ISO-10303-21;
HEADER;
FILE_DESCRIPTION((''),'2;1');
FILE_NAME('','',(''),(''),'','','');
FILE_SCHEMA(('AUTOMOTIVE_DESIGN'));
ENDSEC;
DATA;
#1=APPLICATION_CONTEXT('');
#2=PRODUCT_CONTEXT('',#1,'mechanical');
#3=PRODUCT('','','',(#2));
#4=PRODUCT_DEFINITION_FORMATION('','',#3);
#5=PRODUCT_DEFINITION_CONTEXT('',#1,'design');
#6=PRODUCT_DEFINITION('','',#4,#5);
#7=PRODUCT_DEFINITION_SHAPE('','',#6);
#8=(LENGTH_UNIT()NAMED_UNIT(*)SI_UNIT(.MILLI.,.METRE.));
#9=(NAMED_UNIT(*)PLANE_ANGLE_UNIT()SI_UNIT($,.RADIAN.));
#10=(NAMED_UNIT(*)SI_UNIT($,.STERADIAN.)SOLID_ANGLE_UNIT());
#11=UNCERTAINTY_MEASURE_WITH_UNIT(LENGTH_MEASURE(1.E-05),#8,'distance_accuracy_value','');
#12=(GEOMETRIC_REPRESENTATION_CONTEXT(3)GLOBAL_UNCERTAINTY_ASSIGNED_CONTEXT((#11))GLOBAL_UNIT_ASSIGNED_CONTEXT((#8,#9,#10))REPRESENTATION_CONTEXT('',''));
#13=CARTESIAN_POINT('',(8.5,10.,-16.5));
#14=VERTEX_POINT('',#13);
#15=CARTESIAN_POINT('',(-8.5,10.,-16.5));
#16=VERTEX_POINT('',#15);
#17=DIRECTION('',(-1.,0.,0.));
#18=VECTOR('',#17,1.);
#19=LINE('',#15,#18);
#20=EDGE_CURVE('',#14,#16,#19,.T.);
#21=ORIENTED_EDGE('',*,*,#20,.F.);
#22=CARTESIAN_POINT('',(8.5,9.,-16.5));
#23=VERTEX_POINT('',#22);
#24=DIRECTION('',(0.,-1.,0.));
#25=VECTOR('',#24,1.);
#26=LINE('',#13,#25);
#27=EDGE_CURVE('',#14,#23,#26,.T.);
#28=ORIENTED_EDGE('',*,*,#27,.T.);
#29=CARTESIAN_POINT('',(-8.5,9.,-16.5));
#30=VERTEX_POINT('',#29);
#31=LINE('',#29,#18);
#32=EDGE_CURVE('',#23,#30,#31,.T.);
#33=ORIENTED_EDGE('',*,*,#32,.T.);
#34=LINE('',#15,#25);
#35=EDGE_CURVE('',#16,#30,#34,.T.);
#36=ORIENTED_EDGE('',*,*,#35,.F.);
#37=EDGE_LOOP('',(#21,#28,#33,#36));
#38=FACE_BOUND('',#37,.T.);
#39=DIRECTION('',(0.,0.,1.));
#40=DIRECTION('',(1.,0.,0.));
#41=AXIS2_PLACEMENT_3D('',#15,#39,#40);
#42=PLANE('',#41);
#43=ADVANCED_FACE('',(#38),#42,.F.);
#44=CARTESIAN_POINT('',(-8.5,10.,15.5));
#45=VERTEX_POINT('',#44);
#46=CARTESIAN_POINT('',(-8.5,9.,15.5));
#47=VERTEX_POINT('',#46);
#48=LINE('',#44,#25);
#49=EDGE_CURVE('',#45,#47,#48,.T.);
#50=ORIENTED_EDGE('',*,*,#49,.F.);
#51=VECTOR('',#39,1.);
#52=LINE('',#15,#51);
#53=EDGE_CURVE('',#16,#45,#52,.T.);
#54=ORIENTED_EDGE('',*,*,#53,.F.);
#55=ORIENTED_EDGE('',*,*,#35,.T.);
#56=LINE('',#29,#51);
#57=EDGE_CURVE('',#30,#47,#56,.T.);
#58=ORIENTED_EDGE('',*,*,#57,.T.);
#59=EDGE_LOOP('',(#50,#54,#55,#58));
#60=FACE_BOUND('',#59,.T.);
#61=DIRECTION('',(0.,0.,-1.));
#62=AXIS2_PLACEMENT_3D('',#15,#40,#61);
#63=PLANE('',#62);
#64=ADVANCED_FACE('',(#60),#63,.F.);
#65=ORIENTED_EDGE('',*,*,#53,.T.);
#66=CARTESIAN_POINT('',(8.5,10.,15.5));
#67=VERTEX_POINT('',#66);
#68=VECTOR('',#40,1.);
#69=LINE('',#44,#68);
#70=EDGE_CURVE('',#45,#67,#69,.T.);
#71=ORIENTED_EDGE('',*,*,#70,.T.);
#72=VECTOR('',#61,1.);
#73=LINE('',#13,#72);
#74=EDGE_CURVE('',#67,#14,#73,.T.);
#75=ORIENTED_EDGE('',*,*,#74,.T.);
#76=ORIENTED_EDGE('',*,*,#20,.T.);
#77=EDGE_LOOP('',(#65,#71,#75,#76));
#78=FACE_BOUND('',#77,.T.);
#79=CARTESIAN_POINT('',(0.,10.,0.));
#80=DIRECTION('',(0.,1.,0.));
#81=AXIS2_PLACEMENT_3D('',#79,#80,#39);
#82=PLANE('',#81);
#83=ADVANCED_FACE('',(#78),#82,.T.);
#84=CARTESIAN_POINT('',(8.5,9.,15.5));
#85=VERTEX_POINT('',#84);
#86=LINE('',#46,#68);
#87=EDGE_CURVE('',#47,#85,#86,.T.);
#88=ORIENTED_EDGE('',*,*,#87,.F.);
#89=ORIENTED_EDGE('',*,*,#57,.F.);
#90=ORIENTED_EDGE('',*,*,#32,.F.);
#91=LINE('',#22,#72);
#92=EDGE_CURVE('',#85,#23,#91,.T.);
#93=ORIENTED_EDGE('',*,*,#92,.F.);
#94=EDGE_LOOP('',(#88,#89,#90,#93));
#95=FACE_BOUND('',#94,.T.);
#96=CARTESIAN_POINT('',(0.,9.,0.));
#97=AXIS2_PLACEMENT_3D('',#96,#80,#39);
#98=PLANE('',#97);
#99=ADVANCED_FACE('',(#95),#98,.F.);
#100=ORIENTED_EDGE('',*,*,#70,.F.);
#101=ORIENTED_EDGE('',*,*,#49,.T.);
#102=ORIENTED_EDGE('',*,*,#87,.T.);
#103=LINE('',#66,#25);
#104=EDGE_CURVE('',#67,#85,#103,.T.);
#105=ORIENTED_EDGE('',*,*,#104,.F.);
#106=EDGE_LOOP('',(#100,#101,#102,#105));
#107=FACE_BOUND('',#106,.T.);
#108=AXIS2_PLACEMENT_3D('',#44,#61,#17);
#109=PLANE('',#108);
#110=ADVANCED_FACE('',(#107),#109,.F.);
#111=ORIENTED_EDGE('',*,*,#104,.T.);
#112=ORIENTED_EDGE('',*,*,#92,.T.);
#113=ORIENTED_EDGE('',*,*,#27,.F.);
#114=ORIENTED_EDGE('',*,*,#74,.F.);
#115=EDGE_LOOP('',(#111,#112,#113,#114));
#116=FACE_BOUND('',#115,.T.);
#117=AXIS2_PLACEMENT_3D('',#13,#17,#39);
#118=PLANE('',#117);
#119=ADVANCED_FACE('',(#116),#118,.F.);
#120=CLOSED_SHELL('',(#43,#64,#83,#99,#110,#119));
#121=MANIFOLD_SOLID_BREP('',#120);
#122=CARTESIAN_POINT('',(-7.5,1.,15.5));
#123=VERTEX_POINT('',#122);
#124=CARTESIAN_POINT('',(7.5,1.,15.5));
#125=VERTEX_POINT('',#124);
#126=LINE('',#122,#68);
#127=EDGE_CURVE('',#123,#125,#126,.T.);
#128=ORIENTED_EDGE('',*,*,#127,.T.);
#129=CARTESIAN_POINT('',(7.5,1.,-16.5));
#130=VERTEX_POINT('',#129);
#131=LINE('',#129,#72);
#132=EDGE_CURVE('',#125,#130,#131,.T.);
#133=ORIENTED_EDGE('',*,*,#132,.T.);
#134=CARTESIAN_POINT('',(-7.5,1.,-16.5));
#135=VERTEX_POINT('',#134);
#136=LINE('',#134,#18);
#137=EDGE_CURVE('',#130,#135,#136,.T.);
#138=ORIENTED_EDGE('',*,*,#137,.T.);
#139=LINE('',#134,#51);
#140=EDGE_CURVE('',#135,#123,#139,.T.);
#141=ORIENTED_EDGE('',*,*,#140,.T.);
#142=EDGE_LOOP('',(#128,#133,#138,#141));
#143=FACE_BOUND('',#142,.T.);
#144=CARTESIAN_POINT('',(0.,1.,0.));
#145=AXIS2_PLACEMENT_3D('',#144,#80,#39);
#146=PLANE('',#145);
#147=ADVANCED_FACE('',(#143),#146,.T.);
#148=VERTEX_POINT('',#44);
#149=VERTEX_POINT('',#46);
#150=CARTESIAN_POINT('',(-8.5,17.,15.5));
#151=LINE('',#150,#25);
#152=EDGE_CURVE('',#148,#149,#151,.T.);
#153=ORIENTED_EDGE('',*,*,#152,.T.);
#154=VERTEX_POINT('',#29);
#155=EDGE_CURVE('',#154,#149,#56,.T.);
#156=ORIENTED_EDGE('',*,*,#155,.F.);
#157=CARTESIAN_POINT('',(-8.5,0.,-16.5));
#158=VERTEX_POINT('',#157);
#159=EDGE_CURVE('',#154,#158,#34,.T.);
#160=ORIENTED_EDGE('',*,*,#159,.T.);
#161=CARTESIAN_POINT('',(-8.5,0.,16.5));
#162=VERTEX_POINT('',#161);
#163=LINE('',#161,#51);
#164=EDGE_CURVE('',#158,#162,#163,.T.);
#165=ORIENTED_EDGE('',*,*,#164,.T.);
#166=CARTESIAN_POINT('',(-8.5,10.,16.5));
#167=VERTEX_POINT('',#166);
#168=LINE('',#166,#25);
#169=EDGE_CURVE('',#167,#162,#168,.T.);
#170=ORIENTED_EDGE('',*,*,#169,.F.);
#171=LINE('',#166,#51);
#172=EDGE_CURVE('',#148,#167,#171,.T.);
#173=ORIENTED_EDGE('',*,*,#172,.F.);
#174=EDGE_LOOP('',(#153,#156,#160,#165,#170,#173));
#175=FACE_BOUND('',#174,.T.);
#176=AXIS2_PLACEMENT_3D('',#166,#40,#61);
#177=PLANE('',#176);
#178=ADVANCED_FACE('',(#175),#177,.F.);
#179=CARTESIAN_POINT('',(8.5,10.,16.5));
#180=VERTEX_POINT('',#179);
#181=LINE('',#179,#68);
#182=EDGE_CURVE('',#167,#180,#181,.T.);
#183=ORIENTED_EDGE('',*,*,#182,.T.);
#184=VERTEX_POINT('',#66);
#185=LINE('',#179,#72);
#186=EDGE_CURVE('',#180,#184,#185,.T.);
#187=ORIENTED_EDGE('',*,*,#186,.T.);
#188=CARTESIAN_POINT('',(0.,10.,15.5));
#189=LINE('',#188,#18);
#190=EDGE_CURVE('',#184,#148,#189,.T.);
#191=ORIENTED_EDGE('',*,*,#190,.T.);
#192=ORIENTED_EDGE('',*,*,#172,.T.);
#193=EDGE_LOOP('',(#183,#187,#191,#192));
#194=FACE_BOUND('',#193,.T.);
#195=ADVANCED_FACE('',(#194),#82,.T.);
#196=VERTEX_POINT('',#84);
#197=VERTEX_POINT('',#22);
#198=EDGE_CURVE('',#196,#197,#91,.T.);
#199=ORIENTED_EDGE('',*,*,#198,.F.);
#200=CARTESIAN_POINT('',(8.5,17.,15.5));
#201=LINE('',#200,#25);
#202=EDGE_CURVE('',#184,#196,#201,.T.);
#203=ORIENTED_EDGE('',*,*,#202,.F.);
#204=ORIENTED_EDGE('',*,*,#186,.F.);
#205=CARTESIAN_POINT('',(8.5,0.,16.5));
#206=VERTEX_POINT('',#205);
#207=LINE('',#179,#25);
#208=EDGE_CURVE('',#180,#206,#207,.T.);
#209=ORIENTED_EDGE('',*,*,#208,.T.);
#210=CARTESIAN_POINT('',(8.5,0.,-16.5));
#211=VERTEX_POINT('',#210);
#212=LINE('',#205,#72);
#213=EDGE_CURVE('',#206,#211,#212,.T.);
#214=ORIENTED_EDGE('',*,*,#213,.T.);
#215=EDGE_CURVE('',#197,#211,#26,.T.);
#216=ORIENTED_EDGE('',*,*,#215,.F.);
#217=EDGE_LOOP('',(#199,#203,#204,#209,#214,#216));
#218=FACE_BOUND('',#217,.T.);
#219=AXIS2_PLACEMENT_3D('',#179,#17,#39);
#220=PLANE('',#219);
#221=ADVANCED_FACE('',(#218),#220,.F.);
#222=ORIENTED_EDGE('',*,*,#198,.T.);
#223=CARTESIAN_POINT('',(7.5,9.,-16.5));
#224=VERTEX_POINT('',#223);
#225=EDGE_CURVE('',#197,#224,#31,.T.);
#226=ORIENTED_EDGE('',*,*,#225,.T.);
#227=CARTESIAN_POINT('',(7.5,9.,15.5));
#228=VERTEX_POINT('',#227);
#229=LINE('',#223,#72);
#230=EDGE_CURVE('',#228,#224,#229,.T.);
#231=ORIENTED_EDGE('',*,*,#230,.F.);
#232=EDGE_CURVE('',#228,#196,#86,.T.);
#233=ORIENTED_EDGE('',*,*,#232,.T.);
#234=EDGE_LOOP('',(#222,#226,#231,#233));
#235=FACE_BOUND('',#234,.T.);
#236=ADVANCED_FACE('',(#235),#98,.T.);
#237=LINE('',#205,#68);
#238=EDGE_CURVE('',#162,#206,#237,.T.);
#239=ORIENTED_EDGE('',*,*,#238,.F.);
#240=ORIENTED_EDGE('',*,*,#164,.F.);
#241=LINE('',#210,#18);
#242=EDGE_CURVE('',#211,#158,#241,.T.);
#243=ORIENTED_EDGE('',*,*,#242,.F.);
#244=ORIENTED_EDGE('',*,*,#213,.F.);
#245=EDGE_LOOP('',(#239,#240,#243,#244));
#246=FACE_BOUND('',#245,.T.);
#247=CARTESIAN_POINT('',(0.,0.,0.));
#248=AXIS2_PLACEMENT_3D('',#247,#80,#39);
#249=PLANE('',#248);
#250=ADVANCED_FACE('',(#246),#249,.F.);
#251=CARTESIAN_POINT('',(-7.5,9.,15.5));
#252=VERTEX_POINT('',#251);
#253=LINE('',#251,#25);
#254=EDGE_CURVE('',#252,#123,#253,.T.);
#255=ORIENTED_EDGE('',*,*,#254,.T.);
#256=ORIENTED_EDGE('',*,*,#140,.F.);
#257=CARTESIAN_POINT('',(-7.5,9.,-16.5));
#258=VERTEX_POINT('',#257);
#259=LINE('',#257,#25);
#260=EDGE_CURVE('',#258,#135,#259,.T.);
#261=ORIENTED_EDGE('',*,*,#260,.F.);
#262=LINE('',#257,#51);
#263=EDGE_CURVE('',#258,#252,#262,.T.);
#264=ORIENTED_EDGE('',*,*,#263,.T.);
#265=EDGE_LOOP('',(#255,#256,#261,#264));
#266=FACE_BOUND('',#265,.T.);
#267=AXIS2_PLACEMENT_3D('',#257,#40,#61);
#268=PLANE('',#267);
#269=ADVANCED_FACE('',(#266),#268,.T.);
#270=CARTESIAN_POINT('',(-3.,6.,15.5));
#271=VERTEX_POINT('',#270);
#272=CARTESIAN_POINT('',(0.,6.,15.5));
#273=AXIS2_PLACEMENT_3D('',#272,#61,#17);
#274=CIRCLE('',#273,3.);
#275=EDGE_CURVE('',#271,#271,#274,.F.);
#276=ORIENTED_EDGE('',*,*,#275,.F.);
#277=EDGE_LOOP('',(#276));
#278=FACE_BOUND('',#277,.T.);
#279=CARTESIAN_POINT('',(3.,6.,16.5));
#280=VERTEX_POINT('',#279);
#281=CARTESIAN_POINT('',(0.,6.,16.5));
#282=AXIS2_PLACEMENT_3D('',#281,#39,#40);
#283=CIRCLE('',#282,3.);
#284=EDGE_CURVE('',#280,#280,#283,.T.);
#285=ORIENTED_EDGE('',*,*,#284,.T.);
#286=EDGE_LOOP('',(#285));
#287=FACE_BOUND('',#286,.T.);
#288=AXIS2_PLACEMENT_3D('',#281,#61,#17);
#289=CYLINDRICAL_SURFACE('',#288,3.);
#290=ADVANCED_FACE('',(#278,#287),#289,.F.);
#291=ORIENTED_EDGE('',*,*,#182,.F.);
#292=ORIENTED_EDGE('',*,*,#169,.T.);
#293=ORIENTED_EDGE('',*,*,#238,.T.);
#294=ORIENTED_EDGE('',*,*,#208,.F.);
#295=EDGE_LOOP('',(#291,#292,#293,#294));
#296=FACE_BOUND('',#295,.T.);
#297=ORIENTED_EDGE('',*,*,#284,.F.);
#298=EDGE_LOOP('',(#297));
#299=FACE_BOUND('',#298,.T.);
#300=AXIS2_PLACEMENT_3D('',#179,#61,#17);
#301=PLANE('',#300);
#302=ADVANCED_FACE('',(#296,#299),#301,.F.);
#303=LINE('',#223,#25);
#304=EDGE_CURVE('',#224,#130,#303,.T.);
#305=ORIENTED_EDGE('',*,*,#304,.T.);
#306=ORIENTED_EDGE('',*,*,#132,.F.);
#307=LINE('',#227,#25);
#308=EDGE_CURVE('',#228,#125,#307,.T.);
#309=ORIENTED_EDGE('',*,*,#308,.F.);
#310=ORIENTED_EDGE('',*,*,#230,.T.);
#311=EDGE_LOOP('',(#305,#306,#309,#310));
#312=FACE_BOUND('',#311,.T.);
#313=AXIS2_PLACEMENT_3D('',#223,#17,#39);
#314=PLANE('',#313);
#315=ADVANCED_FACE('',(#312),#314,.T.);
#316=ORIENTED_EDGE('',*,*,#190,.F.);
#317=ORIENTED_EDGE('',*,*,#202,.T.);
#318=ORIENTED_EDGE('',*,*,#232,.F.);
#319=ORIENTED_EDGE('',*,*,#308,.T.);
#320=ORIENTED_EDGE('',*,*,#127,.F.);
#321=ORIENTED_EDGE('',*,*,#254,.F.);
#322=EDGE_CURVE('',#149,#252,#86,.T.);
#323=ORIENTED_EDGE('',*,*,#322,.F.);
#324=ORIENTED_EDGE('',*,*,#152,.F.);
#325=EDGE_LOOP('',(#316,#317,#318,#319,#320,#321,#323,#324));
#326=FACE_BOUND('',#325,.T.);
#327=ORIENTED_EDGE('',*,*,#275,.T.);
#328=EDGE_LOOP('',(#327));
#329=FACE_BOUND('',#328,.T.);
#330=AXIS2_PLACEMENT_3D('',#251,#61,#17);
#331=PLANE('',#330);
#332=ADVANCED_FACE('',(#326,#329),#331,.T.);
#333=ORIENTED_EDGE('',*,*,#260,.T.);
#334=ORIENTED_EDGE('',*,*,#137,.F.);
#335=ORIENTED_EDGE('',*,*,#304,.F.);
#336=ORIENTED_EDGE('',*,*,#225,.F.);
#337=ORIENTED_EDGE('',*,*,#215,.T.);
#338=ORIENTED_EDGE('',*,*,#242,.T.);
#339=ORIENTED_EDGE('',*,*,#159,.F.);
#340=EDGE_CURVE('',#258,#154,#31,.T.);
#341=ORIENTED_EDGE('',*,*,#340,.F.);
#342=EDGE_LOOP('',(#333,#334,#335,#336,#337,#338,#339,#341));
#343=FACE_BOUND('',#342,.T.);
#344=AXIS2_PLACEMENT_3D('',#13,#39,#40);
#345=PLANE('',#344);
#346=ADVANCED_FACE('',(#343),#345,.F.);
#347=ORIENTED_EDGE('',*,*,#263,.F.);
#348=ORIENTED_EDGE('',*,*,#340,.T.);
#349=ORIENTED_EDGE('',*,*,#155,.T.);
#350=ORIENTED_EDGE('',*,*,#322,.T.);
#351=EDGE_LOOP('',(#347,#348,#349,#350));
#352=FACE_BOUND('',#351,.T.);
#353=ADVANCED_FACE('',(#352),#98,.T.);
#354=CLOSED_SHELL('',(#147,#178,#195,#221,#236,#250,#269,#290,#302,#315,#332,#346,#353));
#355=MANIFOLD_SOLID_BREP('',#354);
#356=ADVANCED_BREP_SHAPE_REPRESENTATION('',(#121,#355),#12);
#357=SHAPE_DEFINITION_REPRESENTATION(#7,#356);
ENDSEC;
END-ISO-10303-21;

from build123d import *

# Parameters (mm, degrees)
SKETCH_1_W          = 17
SKETCH_1_H          = 33
EXTRUDE_1_DEPTH     = 10
CUT_EXTRUDE_START   = 1
SKETCH_2_W          = 15
SKETCH_2_H          = 32
CUT_EXTRUDE_1_DEPTH = 8
SKETCH_3_R          = 3
CUT_EXTRUDE_2_DEPTH = 22.083168642
CUT_EXTRUDE_START_2 = 9
SKETCH_5_W          = 17
SKETCH_5_H          = 32
CUT_EXTRUDE_3_DEPTH = 8
EXTRUDE_START       = 9
SKETCH_6_W          = 17
SKETCH_6_H          = 32
EXTRUDE_2_DEPTH     = 1


with BuildPart() as part:
    # 스케치1 → 보스-돌출1 (new body)
    with BuildSketch(Plane(origin=(0, 0, 0), x_dir=(1, 0, 0), z_dir=(0, 1, 0))):
        Rectangle(SKETCH_1_W, SKETCH_1_H)
    extrude(amount=EXTRUDE_1_DEPTH)

    # 스케치2 → 컷-돌출1 (cut)
    with BuildSketch(Plane(origin=(0, 0, 0), x_dir=(1, 0, 0), z_dir=(0, 1, 0)).offset(CUT_EXTRUDE_START)):
        with Locations((0, 0.5)):
            Rectangle(SKETCH_2_W, SKETCH_2_H)
    extrude(amount=CUT_EXTRUDE_1_DEPTH, mode=Mode.SUBTRACT)

    # 스케치3 → 컷-돌출2 (cut, through all)
    with BuildSketch(Plane.XY):
        with Locations(Location((0, 6, 0), (0, 0, 90))):
            Circle(SKETCH_3_R)
    extrude(amount=CUT_EXTRUDE_2_DEPTH, mode=Mode.SUBTRACT)

    # 스케치5 → 컷-돌출3 (cut)
    with BuildSketch(Plane(origin=(0, 0, 0), x_dir=(1, 0, 0), z_dir=(0, 1, 0)).offset(CUT_EXTRUDE_START_2)):
        with Locations((0, 0.5)):
            Rectangle(SKETCH_5_W, SKETCH_5_H)
    extrude(amount=CUT_EXTRUDE_3_DEPTH, mode=Mode.SUBTRACT)


with BuildPart() as body_2:
    # 스케치6 → 보스-돌출2 (new body)
    with BuildSketch(Plane(origin=(0, 0, 0), x_dir=(1, 0, 0), z_dir=(0, 1, 0)).offset(EXTRUDE_START)):
        with Locations((0, 0.5)):
            Rectangle(SKETCH_6_W, SKETCH_6_H)
    extrude(amount=EXTRUDE_2_DEPTH)


solid = Compound([part.part, body_2.part])
